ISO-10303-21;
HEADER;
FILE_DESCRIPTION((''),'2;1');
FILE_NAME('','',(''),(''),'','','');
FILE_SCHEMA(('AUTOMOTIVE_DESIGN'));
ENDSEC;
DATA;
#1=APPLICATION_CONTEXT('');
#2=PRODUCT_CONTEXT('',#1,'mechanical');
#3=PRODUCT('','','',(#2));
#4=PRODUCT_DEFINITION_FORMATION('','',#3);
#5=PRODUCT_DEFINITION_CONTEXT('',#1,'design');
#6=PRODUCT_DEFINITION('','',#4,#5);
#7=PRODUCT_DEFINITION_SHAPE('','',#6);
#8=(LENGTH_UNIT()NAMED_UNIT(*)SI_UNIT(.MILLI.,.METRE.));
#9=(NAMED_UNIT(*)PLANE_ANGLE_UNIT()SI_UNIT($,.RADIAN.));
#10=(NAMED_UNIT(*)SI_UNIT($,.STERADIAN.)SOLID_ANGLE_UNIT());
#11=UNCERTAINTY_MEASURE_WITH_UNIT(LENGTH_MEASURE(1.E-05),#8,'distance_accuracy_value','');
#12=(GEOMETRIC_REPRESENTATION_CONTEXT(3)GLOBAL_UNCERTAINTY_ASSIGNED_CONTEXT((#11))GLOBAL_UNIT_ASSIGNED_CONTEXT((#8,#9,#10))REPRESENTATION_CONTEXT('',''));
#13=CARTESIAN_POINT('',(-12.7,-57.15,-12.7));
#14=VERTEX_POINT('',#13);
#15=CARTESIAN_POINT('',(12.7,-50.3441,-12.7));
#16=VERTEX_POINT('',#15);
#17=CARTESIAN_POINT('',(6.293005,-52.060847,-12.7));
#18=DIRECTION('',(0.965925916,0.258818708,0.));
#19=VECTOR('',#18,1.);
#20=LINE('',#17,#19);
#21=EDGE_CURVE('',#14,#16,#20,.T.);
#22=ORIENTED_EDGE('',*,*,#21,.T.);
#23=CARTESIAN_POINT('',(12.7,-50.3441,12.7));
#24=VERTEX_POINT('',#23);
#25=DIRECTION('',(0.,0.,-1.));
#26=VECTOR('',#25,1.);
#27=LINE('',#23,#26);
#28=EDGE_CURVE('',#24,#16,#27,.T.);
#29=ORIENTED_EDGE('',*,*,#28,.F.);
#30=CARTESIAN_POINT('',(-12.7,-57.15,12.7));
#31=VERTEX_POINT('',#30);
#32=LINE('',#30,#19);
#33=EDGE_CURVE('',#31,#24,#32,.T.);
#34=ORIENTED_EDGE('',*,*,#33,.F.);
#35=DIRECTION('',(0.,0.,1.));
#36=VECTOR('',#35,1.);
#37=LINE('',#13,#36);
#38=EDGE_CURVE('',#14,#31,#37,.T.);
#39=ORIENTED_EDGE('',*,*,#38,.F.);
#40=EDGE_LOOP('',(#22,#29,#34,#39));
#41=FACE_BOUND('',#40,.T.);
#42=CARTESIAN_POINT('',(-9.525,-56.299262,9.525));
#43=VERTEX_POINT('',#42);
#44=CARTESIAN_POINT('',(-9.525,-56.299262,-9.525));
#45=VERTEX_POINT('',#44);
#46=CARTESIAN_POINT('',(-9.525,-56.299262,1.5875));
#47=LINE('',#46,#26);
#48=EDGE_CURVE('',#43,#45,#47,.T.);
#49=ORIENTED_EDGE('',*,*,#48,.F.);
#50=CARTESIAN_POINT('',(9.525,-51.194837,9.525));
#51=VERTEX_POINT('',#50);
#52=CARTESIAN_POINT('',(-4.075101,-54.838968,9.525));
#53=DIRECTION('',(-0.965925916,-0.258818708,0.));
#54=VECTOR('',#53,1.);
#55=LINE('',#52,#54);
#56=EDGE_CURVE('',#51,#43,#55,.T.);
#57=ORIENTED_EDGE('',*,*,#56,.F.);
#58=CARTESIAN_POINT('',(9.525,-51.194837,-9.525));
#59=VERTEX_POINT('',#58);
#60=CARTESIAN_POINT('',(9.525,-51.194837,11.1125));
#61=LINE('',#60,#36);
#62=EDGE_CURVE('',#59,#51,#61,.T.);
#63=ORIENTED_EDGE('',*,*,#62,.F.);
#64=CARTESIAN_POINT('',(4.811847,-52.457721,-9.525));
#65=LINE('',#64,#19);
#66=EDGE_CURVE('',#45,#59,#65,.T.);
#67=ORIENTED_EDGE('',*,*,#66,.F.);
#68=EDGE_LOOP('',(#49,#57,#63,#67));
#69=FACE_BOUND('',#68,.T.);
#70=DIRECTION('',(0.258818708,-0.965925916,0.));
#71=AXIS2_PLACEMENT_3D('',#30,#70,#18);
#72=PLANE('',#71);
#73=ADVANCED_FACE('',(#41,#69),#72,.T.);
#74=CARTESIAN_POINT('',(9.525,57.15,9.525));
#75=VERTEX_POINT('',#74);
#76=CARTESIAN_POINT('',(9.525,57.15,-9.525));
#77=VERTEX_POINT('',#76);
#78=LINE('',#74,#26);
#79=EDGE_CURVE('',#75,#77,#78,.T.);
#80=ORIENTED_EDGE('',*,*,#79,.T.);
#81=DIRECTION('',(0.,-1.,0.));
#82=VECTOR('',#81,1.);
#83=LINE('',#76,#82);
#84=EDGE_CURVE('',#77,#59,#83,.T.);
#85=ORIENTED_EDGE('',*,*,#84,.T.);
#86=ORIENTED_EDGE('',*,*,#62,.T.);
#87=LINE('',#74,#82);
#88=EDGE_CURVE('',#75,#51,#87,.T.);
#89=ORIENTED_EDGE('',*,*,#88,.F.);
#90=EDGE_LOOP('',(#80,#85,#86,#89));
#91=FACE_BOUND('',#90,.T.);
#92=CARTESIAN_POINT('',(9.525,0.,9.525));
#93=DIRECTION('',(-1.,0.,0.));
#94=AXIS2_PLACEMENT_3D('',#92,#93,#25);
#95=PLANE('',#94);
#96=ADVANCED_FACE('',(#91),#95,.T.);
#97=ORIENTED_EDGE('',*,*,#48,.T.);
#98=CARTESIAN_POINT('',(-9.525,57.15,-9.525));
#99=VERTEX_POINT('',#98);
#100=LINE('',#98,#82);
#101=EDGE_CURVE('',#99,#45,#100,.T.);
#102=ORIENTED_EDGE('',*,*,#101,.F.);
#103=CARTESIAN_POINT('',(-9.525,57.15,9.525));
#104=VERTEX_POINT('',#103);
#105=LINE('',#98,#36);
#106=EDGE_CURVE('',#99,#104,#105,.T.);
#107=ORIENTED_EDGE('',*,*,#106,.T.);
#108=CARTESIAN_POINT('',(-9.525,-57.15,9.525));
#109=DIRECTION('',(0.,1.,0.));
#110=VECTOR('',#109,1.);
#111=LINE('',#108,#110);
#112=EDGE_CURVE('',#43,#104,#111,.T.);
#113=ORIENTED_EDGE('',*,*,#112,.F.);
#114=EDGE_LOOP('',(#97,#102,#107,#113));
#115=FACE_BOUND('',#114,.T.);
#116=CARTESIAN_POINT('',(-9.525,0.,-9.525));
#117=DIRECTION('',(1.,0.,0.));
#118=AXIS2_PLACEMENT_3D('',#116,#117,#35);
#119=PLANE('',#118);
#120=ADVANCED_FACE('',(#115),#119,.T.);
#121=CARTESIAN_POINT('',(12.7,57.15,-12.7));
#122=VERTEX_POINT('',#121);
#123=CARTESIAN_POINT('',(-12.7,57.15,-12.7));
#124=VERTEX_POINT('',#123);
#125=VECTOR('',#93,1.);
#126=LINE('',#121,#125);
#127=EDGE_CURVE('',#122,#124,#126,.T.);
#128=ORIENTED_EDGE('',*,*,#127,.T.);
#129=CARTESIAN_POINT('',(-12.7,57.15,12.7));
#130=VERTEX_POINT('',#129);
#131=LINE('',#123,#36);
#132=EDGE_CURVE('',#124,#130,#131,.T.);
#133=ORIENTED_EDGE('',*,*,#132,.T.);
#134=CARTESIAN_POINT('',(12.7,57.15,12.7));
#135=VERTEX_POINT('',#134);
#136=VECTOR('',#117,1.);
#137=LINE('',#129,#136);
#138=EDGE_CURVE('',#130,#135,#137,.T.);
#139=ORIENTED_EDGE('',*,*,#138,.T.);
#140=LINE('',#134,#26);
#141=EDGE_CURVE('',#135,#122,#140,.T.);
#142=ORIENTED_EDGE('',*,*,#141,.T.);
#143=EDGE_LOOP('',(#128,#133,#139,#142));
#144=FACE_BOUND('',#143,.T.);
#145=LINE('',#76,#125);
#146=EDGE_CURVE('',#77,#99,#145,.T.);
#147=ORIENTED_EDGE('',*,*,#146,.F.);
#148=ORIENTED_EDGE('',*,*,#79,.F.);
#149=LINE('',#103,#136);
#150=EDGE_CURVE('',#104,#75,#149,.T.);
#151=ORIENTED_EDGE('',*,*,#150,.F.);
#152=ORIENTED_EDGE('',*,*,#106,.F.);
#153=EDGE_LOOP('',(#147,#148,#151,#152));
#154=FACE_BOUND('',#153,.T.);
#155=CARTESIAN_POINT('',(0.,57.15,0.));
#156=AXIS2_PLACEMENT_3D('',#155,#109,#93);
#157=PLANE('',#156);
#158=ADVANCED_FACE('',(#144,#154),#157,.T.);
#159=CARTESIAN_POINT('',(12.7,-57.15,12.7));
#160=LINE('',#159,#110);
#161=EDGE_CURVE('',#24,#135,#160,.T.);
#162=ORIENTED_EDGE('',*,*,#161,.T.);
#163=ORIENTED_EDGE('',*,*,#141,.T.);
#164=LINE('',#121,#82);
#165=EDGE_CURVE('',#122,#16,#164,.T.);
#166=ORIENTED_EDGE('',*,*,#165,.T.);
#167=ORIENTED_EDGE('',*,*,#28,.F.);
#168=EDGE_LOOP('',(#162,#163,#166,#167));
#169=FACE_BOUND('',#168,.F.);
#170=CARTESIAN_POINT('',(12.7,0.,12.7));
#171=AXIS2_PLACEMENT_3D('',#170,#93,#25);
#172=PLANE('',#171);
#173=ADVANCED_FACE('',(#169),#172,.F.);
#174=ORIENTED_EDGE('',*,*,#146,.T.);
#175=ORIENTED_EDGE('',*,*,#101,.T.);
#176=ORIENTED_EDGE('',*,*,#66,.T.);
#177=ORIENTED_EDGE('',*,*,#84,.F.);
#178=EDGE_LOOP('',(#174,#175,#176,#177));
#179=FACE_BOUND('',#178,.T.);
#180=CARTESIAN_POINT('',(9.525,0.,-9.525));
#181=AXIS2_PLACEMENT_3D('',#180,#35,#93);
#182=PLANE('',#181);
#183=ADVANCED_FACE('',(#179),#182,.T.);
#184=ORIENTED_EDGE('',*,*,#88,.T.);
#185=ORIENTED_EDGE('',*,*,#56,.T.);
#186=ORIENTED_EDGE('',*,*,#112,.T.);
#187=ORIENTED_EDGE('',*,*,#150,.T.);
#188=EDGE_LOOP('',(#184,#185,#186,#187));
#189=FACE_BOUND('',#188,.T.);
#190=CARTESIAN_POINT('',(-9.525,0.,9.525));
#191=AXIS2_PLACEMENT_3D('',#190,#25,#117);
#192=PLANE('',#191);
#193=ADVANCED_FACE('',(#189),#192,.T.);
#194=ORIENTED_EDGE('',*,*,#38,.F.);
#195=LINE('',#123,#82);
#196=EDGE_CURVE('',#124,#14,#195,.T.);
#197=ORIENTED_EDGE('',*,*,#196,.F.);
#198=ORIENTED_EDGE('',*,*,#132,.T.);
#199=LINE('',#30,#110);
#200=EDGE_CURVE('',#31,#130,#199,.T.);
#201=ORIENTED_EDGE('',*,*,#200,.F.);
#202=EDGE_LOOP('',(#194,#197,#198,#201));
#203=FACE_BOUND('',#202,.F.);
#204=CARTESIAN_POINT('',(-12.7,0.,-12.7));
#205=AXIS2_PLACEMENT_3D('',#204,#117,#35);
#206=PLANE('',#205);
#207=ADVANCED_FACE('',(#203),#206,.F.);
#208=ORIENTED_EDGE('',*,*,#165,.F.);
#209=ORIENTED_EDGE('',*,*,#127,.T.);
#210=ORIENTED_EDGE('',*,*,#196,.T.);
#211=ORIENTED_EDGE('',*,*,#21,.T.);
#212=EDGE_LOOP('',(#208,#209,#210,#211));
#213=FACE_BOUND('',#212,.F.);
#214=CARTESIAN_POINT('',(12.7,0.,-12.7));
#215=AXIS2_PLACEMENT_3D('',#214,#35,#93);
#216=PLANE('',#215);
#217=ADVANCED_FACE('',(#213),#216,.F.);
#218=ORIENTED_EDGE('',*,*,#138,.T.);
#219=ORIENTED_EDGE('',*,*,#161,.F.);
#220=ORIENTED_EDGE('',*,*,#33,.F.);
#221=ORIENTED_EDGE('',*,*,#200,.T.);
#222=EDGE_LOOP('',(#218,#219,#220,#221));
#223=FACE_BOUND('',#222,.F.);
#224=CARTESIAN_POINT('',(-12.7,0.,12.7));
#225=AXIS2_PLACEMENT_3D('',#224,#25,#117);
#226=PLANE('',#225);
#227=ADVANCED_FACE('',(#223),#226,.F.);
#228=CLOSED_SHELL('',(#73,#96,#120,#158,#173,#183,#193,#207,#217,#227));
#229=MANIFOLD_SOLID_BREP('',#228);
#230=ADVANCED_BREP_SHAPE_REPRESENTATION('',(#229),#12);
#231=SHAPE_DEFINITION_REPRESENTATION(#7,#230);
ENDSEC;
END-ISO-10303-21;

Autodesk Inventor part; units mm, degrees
ref_plane "YZ Plane" through (0, 0, 0) normal (1, 0, 0) x (0, 1, 0)
ref_plane "XZ Plane" through (0, 0, 0) normal (0, 1, 0) x (-1, 0, 0)
ref_plane "XY Plane" through (0, 0, 0) normal (0, 0, 1) x (1, 0, 0)
sketch "Sketch1" plane through (0, 0, 0) normal (0, 1, 0) x (-1, 0, 0)
  line L0 (12.7, 12.7) -> (-12.7, 12.7)
  line L1 (-12.7, 12.7) -> (-12.7, -12.7)
  line L2 (-12.7, -12.7) -> (12.7, -12.7)
  line L3 (12.7, -12.7) -> (12.7, 12.7)
  line L4 (12.7, 12.7) -> (-12.7, -12.7) construction
  line L5 (-12.7, 12.7) -> (12.7, -12.7) construction
  line L6 (9.525, 9.525) -> (-9.525, 9.525)
  line L7 (-9.525, 9.525) -> (-9.525, -9.525)
  line L8 (-9.525, -9.525) -> (9.525, -9.525)
  line L9 (9.525, -9.525) -> (9.525, 9.525)
  line L10 (9.525, 9.525) -> (-9.525, -9.525) construction
  line L11 (-9.525, 9.525) -> (9.525, -9.525) construction
  point P0 (0, 0)
  dimension "d0" = 25.4
  dimension "d1" = 25.4
  dimension "d2" = 3.175
  dimension "d3" = 3.175
extrude "Extrusion1" add sketch "Sketch1" along normal mid plane 114.3
sketch "Sketch2" plane through (-12.7, 57.15, 12.7) normal (0, 0, 1) x (1, 0, 0)
  line L0 (25.4, -114.3) -> (0, -114.3) projected
  line L1 (0, -114.3) -> (25.4, -107.4941)
  line L2 (25.4, -114.3) -> (0, -114.3)
  line L3 (25.4, -114.3) -> (25.4, 0) projected
  line L4 (25.4, -114.3) -> (25.4, -107.4941)
  point P0 (12.7, -57.15)
  dimension "d6" = 15
extrude "Extrusion2" cut sketch "Sketch2" against normal through all
properties part number "motorBracket01"
